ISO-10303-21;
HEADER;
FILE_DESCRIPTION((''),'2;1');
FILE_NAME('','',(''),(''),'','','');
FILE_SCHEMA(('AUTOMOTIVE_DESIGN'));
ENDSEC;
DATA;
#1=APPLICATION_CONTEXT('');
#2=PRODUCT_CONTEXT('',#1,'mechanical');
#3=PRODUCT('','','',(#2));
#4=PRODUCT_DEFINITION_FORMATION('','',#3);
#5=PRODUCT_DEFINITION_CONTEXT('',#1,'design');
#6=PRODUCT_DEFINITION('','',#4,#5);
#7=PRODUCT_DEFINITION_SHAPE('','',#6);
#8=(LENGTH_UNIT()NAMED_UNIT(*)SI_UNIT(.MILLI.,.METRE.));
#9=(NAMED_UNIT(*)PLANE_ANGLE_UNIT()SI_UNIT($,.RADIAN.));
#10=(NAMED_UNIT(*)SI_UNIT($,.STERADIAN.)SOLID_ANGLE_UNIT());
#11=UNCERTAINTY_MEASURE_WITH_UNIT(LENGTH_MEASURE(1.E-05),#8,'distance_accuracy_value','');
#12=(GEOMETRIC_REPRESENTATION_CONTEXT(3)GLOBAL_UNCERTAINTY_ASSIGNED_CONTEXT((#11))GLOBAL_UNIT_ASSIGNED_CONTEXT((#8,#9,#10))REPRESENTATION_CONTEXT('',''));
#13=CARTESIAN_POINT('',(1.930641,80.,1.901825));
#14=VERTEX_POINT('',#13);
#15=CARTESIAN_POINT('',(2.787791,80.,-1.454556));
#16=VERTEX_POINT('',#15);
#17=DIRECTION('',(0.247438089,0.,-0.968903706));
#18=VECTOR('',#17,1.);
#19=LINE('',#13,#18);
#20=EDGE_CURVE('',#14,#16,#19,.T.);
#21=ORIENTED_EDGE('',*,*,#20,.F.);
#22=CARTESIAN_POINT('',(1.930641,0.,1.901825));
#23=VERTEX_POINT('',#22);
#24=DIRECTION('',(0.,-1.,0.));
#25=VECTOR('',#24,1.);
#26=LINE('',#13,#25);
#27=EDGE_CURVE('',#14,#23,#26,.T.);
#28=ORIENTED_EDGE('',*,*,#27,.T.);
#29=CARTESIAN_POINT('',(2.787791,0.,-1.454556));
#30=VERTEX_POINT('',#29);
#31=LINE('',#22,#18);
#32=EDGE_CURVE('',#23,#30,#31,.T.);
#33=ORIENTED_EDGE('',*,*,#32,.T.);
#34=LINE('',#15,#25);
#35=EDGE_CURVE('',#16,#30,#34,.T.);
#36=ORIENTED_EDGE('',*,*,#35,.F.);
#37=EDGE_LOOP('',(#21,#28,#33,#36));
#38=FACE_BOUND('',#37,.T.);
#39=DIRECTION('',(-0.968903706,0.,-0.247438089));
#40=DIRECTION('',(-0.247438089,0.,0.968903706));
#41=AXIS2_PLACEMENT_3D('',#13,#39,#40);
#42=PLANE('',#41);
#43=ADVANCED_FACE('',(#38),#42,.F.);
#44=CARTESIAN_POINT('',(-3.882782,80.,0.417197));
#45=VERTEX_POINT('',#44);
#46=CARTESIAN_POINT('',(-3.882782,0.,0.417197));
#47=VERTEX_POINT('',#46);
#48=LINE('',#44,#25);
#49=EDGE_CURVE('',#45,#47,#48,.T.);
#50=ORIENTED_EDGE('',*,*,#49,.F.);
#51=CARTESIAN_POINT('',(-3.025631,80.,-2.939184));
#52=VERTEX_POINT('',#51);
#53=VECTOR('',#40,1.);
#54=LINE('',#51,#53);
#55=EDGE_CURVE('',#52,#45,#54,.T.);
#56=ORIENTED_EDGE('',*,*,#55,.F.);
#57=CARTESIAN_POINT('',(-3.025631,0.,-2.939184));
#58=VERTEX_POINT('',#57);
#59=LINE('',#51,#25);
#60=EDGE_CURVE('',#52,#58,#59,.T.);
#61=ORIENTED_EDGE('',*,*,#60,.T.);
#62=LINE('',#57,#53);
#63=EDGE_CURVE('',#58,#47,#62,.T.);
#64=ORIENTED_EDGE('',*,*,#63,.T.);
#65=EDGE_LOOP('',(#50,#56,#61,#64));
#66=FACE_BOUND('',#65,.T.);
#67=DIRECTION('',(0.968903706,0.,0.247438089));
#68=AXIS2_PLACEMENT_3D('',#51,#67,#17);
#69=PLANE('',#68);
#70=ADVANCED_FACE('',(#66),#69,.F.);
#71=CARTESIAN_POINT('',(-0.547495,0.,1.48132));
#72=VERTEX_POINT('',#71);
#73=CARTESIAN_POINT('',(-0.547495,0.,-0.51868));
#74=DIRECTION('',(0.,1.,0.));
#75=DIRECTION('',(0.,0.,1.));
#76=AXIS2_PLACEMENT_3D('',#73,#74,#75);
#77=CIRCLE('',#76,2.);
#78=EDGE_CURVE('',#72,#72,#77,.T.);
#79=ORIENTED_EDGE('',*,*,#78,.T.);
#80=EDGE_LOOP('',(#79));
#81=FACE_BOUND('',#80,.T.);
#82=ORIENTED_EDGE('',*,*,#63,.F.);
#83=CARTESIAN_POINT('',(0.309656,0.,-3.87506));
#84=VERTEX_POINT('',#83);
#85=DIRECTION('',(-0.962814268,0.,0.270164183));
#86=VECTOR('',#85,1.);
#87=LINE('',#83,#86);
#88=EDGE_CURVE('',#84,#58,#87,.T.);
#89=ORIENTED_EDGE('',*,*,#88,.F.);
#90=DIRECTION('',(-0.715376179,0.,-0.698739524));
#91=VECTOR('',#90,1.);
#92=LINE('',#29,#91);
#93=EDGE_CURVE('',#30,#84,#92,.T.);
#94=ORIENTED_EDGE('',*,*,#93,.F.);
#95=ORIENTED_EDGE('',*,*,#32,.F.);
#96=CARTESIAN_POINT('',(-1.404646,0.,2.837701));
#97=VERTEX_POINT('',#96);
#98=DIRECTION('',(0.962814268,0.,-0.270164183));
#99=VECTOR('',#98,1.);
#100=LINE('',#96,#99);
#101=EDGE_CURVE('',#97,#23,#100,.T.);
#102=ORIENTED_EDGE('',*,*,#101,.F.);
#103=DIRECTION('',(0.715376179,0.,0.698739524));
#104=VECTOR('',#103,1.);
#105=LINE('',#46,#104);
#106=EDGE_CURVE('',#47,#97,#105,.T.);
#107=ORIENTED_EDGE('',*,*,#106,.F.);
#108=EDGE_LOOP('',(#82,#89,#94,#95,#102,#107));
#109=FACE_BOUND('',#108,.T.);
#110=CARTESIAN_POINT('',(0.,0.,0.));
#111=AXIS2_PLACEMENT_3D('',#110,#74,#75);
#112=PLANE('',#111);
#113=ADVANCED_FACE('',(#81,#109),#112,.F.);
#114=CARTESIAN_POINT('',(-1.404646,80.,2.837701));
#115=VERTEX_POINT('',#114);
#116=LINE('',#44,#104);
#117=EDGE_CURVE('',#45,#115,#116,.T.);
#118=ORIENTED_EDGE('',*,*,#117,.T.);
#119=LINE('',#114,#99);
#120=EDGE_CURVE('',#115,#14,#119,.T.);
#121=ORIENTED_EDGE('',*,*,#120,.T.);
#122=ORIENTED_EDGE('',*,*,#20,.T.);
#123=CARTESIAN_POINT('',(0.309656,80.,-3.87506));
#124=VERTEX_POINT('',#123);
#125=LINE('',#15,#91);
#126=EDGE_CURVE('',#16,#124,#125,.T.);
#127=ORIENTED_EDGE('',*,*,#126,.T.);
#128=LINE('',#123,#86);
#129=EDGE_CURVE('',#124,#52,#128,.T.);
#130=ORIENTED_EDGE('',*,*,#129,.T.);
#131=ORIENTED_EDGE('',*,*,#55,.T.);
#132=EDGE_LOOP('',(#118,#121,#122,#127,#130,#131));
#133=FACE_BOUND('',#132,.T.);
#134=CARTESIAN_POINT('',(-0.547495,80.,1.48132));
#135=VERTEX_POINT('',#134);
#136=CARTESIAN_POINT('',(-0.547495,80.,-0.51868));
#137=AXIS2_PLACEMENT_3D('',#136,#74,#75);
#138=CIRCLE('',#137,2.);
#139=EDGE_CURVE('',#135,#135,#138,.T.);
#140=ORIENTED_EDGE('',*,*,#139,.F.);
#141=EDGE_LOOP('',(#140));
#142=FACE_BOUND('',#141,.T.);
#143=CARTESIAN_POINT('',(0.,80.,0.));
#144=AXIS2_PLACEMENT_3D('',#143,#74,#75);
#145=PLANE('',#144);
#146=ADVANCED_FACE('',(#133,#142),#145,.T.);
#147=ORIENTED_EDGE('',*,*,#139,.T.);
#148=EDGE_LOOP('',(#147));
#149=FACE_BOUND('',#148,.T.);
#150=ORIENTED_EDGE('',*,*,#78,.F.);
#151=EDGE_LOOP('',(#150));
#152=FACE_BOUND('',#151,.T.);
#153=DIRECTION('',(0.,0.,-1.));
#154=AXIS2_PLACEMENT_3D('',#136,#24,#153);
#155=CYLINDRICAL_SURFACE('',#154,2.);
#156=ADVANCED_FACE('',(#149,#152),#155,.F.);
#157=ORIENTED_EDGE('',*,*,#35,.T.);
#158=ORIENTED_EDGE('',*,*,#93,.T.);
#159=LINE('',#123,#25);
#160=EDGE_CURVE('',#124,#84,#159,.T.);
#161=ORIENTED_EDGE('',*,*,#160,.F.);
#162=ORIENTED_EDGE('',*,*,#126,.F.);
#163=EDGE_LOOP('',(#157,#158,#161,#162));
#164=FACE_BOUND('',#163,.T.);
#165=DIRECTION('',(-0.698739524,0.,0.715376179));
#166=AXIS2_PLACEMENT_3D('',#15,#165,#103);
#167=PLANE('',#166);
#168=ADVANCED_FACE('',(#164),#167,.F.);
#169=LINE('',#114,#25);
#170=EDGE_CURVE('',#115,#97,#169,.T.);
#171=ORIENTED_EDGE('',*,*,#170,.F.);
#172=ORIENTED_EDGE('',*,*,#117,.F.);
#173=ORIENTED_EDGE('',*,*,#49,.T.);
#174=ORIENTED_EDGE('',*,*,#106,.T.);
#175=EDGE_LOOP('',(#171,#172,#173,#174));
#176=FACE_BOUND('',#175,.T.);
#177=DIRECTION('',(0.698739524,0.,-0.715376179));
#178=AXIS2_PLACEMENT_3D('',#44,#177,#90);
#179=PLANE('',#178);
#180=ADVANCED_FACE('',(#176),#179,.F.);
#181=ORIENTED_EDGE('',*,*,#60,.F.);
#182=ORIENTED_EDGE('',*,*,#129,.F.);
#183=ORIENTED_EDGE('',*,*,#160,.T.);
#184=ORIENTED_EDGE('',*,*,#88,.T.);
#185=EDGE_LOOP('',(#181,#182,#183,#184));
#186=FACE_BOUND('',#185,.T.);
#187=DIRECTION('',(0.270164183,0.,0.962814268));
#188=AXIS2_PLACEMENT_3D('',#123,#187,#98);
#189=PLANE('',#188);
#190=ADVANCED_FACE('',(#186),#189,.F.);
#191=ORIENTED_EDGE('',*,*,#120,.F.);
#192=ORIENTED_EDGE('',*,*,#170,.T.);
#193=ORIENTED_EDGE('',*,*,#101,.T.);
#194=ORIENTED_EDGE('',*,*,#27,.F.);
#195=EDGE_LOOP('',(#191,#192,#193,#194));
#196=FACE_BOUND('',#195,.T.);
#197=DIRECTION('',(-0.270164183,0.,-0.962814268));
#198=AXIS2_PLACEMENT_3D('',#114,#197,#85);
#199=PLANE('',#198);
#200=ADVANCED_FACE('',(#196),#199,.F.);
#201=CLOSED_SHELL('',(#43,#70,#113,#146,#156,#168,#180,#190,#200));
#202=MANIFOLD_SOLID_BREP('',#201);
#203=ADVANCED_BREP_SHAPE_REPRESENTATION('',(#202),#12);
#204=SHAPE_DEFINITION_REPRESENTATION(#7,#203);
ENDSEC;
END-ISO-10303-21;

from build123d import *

# Parameters (mm, degrees)
SKETCH1_R           = 2
BOSS_EXTRUDE1_DEPTH = 80


with BuildPart() as part:
    # Sketch1 → Boss-Extrude1 (new body)
    with BuildSketch(Plane(origin=(0, 0, 0), x_dir=(1, 0, 0), z_dir=(0, 1, 0))):
        Polygon((1.930640664, -1.901825132), (2.787791347, 1.454555762), (0.309655569, 3.875060476), (-3.025630892, 2.939184295), (-3.882781574, -0.4171966), (-1.404645796, -2.837701313), align=None)
        with Locations((-0.547495114, 0.518679581)):
            Circle(SKETCH1_R, mode=Mode.SUBTRACT)
    extrude(amount=BOSS_EXTRUDE1_DEPTH)


solid = part.part
